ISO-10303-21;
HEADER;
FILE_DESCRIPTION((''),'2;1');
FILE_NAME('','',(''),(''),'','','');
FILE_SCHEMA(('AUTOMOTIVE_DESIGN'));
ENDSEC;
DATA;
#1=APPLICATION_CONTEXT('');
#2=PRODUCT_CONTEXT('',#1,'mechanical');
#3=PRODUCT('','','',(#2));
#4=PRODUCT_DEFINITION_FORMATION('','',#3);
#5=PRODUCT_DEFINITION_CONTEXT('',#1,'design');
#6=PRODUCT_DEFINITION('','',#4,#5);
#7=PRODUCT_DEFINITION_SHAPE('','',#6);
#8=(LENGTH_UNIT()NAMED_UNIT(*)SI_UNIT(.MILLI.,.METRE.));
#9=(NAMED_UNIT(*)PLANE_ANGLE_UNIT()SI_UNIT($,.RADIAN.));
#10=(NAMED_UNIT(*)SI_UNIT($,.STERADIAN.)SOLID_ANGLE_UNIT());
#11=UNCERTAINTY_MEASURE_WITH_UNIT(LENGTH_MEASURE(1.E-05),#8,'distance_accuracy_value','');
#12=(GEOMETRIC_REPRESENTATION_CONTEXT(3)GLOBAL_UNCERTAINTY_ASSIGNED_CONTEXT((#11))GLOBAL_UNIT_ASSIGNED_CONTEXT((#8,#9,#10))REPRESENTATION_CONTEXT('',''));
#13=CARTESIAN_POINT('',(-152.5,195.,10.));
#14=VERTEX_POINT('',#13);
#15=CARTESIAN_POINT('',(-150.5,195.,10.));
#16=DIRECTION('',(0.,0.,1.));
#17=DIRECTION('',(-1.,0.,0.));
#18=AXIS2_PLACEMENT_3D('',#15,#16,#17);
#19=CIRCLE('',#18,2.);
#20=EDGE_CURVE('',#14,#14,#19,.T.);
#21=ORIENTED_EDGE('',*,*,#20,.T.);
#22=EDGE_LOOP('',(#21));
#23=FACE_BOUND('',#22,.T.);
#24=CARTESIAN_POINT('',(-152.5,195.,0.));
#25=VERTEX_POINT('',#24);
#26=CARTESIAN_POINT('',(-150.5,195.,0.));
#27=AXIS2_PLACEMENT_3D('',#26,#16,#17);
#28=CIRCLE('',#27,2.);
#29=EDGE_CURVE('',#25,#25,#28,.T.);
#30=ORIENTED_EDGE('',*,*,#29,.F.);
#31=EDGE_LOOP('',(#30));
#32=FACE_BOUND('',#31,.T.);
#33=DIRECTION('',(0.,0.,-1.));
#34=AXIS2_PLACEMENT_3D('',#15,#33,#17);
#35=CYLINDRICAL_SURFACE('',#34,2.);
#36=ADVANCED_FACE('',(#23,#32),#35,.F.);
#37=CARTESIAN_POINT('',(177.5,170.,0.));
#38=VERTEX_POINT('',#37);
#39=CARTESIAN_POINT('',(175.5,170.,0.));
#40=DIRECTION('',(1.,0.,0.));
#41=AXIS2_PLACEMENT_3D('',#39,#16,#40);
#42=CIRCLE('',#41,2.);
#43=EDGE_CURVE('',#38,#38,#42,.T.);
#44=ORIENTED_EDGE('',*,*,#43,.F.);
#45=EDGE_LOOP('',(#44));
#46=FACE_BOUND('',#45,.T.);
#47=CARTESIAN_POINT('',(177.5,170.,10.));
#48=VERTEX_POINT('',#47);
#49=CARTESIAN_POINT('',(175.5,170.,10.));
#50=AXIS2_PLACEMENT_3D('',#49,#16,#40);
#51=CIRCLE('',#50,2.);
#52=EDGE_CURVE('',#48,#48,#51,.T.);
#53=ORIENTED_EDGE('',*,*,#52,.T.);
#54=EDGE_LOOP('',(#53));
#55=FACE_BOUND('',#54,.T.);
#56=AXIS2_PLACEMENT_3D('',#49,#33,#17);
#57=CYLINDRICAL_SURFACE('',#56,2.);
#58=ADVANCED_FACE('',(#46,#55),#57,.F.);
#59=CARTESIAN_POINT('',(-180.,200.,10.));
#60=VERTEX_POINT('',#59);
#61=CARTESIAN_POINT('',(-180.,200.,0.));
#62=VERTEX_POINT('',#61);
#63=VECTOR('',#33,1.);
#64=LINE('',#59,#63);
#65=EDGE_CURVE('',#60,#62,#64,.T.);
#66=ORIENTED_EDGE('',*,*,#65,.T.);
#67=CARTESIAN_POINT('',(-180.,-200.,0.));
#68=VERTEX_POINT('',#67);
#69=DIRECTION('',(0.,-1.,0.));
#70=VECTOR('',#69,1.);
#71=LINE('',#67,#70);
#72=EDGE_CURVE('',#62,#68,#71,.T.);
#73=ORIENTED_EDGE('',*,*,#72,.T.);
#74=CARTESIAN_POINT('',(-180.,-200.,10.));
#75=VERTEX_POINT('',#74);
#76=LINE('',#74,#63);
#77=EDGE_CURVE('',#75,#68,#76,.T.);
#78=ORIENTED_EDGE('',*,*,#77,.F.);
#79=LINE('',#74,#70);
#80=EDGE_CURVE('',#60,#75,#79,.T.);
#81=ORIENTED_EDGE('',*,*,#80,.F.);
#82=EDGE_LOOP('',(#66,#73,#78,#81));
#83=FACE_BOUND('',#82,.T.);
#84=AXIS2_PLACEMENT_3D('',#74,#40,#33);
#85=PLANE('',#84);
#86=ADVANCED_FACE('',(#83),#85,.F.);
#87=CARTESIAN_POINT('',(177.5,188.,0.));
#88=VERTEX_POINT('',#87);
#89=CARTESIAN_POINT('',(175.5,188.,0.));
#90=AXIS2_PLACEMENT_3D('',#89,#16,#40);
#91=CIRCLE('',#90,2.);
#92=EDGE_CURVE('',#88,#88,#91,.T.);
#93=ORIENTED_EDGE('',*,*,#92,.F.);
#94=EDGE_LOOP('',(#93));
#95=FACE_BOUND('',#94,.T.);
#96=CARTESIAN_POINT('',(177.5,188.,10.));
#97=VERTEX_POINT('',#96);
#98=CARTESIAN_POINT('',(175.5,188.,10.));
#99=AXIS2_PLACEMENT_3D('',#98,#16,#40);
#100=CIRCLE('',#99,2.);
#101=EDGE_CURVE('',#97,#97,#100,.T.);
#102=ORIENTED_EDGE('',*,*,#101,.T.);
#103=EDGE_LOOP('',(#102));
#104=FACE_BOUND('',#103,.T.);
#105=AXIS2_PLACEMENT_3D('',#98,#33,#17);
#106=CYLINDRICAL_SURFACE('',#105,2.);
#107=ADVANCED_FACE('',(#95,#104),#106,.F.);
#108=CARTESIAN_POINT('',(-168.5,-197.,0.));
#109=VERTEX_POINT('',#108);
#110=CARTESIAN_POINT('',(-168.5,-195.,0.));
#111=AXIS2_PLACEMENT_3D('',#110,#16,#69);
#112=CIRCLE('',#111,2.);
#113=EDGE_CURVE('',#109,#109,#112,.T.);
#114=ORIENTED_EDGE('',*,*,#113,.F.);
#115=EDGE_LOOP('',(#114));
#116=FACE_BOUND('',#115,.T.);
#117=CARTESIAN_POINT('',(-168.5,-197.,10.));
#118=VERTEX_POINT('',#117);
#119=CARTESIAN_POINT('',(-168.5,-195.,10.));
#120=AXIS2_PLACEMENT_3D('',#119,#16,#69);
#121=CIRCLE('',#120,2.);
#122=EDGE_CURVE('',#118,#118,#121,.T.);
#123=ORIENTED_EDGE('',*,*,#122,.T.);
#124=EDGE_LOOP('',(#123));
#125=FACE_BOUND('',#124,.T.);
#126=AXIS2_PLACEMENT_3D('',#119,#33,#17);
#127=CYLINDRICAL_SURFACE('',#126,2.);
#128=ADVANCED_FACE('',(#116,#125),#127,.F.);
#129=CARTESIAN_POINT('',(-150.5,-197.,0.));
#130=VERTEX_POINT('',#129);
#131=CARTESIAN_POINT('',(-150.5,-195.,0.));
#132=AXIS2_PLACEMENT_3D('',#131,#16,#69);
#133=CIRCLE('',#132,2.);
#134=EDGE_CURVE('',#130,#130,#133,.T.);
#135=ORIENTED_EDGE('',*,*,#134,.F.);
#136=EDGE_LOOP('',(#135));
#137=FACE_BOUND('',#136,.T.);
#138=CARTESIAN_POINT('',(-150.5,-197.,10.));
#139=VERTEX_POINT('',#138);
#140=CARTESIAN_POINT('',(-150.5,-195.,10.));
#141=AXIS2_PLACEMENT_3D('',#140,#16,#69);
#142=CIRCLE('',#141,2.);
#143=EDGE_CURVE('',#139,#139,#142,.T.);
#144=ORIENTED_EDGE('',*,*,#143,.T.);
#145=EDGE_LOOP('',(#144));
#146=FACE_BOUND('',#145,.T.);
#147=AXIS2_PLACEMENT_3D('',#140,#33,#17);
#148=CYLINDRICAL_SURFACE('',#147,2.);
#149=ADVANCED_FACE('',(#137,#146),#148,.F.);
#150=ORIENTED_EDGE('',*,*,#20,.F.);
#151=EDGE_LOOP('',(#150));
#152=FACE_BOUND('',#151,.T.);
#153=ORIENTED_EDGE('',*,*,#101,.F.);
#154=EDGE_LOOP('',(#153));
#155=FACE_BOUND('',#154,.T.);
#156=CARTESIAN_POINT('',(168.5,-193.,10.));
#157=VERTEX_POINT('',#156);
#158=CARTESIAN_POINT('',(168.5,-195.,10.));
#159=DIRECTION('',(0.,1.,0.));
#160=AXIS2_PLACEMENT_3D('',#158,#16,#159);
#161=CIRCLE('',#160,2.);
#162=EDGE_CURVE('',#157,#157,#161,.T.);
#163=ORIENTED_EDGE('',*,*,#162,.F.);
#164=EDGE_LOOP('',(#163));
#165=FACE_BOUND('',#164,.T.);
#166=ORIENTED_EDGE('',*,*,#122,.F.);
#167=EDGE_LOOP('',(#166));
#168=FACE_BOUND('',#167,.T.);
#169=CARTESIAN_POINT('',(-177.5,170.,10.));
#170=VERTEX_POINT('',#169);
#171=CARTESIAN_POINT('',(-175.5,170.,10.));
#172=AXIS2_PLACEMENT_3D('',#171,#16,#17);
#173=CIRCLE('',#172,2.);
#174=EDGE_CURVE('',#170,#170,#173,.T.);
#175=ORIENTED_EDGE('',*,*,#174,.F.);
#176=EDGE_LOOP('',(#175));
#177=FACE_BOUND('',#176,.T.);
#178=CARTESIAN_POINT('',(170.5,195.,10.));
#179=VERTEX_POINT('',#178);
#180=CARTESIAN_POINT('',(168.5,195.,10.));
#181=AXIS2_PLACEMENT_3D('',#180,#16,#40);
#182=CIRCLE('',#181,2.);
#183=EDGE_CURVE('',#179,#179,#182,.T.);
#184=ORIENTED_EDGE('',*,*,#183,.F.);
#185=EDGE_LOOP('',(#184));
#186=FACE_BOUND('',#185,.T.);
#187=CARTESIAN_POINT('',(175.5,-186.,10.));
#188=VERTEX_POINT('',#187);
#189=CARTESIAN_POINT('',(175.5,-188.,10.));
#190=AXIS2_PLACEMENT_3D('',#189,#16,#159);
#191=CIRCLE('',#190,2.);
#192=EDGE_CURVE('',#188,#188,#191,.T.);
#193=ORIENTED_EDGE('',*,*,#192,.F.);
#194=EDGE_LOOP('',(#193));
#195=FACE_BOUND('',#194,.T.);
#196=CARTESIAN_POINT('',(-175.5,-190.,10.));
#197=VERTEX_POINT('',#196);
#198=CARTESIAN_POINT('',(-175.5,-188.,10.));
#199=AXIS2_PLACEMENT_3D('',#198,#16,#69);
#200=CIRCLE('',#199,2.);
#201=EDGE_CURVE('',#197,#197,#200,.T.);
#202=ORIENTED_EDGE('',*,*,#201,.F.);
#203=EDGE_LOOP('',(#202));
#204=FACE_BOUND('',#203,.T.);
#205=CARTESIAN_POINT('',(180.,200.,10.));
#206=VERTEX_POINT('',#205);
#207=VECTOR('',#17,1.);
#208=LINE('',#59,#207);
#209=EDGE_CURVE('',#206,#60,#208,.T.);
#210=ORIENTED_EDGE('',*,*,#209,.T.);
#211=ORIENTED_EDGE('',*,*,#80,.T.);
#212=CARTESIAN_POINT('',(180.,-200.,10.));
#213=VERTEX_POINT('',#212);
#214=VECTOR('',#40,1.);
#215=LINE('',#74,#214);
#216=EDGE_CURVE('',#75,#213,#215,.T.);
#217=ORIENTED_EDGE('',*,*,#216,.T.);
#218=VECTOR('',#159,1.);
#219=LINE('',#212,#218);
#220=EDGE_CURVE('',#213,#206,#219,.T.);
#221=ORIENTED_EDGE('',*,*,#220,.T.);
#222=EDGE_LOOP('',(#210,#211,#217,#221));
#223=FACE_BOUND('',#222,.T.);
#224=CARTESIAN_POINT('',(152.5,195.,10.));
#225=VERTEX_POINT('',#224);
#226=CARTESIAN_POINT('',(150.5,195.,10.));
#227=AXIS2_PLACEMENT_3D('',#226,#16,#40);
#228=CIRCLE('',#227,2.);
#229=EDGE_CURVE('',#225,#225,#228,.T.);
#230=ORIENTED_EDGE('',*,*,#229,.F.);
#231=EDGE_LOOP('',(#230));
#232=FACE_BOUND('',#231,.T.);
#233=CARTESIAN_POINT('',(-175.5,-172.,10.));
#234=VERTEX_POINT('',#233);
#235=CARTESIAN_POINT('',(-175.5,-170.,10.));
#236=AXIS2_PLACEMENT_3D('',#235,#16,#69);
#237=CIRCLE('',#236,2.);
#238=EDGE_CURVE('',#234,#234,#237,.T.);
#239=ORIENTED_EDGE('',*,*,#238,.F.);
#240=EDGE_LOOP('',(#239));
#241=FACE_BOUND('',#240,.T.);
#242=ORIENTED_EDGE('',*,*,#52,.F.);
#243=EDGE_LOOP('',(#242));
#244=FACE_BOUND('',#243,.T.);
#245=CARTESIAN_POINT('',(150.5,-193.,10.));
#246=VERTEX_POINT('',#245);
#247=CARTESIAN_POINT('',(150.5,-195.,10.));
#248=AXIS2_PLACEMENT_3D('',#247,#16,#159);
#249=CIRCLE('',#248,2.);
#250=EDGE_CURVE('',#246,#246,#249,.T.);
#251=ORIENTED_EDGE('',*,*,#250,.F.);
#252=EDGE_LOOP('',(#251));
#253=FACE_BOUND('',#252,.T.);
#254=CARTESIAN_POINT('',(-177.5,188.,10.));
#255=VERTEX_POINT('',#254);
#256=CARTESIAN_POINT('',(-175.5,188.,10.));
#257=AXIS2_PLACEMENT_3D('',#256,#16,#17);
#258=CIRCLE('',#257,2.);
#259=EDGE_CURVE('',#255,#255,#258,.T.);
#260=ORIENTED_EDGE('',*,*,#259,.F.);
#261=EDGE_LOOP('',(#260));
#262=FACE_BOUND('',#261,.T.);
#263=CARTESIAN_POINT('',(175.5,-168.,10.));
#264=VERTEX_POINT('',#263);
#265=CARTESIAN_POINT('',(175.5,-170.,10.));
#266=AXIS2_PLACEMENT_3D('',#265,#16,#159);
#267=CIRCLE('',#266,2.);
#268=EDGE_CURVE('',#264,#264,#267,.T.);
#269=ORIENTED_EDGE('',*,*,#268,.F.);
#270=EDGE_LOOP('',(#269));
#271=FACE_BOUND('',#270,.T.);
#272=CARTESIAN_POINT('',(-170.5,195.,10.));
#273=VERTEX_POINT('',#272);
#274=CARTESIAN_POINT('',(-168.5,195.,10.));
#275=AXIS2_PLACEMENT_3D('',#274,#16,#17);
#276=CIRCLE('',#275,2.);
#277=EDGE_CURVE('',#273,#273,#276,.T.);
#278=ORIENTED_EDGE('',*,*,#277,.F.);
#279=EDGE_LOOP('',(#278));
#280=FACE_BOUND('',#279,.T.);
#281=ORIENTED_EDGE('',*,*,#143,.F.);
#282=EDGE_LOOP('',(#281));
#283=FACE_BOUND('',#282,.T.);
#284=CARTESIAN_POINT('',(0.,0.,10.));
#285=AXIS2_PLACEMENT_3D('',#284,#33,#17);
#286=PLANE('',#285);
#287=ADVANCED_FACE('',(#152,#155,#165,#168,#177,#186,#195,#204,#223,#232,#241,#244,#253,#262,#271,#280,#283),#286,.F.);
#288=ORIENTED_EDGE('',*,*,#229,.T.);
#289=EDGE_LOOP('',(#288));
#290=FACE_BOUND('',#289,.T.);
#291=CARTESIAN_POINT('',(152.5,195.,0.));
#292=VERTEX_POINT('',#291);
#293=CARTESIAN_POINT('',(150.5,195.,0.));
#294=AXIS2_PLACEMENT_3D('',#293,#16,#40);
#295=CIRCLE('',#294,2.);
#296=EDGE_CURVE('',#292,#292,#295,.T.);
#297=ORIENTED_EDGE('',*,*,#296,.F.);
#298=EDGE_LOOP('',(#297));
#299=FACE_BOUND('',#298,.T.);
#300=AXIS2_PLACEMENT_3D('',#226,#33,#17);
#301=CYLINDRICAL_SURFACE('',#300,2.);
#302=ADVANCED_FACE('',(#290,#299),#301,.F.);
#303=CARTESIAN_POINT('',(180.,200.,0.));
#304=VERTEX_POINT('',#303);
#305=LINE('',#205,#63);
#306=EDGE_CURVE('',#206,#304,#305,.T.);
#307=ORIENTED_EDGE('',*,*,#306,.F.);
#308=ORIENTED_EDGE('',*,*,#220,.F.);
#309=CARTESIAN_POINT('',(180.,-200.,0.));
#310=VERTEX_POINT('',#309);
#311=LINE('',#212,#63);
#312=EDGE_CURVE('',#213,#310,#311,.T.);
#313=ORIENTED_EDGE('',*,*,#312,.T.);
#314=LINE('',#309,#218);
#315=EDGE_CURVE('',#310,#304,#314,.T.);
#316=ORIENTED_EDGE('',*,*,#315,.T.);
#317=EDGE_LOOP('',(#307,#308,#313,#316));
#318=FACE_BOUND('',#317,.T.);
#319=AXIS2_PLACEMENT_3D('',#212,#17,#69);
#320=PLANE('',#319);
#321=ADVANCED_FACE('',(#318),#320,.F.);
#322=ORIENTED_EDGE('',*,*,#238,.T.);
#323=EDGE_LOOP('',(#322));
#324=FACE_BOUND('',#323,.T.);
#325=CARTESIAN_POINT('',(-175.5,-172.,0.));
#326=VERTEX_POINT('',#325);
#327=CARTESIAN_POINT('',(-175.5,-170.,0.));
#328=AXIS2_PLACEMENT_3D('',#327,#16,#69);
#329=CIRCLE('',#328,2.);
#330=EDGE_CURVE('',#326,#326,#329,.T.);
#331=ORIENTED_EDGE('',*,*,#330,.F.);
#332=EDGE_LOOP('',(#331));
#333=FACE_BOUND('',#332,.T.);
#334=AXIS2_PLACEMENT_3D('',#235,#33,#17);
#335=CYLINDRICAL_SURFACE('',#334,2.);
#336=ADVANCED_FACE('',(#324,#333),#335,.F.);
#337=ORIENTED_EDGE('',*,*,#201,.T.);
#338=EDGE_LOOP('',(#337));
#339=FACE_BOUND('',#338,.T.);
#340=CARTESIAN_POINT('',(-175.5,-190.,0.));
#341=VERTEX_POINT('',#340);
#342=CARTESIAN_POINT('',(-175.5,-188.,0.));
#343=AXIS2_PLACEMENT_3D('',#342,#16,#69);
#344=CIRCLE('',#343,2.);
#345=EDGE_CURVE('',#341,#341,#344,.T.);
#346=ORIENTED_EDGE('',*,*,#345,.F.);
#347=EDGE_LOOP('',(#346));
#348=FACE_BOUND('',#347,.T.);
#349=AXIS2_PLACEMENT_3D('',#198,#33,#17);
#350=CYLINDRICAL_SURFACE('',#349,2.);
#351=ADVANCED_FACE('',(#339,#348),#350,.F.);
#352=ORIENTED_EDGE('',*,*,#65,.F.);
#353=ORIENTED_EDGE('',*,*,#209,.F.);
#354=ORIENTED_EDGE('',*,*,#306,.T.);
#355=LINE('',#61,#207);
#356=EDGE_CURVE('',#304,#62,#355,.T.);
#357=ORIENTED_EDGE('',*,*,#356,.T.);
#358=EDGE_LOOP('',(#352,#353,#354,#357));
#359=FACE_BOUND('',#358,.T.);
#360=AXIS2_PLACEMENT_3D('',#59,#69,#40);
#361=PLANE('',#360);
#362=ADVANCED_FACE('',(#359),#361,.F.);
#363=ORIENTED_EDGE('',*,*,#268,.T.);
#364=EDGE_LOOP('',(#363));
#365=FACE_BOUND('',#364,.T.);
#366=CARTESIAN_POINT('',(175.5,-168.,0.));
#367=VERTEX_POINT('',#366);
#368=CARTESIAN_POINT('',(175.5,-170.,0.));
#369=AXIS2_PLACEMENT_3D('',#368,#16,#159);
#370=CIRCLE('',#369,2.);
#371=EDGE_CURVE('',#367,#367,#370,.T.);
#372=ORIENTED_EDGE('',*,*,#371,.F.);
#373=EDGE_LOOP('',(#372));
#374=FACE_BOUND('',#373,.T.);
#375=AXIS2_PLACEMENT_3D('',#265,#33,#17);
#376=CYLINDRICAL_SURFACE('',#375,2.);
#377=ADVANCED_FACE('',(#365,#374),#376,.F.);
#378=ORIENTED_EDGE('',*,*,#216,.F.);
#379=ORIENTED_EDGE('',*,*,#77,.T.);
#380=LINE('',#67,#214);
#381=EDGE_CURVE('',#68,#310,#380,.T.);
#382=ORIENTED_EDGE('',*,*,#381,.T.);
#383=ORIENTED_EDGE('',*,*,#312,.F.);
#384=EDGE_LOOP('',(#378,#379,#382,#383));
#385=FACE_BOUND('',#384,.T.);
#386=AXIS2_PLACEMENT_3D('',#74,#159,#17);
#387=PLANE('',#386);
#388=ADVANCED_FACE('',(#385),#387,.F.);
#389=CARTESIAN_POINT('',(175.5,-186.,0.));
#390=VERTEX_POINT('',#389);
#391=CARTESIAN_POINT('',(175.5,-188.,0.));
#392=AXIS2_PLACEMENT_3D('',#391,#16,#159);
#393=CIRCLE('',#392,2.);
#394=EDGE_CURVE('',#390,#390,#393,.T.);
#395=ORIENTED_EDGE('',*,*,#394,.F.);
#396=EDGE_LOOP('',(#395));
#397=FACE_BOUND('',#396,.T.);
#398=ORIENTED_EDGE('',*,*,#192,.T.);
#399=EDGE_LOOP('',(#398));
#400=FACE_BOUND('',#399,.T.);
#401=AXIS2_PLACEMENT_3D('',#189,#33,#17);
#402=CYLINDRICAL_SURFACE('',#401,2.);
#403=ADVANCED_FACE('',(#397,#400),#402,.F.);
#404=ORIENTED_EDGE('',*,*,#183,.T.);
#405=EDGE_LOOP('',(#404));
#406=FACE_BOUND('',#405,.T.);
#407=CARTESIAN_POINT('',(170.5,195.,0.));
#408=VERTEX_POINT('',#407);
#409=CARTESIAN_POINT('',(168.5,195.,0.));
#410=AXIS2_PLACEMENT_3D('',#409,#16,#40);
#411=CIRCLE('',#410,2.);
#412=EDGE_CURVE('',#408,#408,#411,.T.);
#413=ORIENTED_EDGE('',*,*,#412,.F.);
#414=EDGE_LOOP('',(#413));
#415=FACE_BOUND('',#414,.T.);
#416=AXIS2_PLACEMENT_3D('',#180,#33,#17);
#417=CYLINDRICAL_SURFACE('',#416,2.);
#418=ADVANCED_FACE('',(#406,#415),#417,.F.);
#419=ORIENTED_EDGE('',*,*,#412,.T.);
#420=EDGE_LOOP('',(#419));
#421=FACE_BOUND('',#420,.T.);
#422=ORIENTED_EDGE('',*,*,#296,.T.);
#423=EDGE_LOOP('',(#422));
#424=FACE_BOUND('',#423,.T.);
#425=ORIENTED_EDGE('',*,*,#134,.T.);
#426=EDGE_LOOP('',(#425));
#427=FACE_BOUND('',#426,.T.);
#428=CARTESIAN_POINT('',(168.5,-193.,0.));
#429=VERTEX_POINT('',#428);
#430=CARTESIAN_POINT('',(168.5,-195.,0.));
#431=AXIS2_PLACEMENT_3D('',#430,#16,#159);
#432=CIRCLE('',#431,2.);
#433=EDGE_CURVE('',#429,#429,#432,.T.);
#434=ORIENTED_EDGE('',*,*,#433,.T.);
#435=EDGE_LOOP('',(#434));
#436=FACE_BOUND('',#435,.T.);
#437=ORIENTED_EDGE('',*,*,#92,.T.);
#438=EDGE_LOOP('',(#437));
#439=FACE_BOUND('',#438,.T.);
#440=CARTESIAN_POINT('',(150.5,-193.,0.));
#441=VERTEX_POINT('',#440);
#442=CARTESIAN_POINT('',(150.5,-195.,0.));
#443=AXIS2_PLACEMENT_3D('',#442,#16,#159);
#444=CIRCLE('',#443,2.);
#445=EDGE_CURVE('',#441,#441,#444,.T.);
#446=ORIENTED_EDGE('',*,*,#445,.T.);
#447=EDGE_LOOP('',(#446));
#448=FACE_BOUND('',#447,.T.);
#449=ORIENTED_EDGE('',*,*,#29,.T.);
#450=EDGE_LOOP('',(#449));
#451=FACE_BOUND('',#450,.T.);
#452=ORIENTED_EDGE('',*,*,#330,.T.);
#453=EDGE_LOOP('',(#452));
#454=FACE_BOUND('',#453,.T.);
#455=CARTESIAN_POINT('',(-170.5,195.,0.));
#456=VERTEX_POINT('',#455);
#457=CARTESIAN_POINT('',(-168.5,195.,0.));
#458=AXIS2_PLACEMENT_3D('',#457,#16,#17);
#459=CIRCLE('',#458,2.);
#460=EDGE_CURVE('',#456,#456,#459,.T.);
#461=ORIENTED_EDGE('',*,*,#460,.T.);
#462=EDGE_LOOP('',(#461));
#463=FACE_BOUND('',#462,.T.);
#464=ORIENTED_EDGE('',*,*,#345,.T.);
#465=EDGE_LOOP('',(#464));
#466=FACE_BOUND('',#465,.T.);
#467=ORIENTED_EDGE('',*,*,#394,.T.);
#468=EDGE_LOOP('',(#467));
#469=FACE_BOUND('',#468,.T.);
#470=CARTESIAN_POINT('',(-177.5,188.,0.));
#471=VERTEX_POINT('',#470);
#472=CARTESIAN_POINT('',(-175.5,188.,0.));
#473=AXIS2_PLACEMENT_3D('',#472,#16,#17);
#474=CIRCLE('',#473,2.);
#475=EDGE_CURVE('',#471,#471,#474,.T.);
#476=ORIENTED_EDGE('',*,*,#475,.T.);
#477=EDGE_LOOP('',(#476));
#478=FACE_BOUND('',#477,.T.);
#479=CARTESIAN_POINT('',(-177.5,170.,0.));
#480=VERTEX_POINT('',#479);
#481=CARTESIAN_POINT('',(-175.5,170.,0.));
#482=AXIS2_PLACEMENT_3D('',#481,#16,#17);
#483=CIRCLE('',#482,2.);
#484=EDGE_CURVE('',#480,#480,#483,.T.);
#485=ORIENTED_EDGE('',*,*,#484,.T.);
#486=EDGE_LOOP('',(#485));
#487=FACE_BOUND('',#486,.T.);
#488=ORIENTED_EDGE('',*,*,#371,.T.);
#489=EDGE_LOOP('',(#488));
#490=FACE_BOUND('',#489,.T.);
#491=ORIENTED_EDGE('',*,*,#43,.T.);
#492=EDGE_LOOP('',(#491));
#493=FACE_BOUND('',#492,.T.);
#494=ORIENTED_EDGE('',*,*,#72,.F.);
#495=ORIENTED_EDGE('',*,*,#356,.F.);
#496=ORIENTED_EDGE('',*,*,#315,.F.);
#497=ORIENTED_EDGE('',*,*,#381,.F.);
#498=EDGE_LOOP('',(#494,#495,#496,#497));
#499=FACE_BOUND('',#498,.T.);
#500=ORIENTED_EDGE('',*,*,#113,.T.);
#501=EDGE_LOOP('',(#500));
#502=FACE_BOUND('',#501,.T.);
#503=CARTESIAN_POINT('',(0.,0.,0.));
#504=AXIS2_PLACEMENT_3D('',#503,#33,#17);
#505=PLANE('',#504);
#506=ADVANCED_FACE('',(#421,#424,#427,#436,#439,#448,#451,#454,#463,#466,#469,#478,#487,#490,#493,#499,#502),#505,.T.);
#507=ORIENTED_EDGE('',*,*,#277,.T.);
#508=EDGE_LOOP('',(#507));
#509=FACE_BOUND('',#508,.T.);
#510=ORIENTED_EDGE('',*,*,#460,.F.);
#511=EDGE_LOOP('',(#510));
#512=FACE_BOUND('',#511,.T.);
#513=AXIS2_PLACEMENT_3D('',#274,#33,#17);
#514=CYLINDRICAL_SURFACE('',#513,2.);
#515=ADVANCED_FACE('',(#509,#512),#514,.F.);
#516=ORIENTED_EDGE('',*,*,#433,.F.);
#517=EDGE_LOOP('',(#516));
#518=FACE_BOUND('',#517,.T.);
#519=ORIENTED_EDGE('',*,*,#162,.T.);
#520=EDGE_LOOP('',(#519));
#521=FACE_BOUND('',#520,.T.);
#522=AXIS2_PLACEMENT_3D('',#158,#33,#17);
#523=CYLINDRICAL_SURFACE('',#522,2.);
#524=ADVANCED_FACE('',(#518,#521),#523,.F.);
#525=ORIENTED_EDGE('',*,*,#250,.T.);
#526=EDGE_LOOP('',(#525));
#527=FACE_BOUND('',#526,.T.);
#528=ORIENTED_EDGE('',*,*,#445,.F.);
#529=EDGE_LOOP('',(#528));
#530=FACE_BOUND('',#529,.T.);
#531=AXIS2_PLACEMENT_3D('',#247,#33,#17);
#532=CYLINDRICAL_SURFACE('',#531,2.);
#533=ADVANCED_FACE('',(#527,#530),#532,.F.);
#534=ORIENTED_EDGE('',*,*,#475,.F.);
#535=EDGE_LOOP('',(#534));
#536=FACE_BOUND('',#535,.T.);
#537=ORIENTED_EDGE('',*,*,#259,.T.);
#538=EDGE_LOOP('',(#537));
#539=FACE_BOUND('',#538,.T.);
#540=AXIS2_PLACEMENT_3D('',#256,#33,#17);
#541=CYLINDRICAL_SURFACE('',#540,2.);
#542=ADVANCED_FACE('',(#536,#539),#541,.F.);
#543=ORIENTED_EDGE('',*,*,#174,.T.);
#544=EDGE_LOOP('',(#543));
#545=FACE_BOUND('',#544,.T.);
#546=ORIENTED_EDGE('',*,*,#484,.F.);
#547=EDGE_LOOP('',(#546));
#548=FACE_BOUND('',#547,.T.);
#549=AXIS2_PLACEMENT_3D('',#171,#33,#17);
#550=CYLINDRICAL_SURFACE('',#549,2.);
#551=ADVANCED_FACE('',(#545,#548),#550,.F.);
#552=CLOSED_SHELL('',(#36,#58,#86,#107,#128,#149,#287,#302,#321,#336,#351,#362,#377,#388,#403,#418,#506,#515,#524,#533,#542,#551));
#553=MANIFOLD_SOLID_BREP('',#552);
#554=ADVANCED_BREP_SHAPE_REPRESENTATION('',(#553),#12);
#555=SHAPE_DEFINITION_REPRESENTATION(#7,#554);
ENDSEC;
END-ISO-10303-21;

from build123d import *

# Parameters (mm, degrees)
SKETCH_1_W      = 360
SKETCH_1_H      = 400
SKETCH_1_R      = 2
EXTRUDE_1_DEPTH = 10


with BuildPart() as part:
    # Эскиз1 → Бобышка-Вытянуть1 (new body)
    with BuildSketch(Plane.XY):
        Rectangle(SKETCH_1_W, SKETCH_1_H)
        with Locations((150.5, 195)):
            Circle(SKETCH_1_R, mode=Mode.SUBTRACT)
        with Locations((168.5, 195)):
            Circle(SKETCH_1_R, mode=Mode.SUBTRACT)
        with Locations((175.5, 170)):
            Circle(SKETCH_1_R, mode=Mode.SUBTRACT)
        with Locations((175.5, 188)):
            Circle(SKETCH_1_R, mode=Mode.SUBTRACT)
        with Locations(Location((-150.5, 195, 0), (0, 0, 180))):
            Circle(SKETCH_1_R, mode=Mode.SUBTRACT)
        with Locations(Location((-168.5, 195, 0), (0, 0, 180))):
            Circle(SKETCH_1_R, mode=Mode.SUBTRACT)
        with Locations(Location((-175.5, 170, 0), (0, 0, 180))):
            Circle(SKETCH_1_R, mode=Mode.SUBTRACT)
        with Locations(Location((-175.5, 188, 0), (0, 0, 180))):
            Circle(SKETCH_1_R, mode=Mode.SUBTRACT)
        with Locations(Location((-150.5, -195, 0), (0, 0, 270))):
            Circle(SKETCH_1_R, mode=Mode.SUBTRACT)
        with Locations(Location((-168.5, -195, 0), (0, 0, 270))):
            Circle(SKETCH_1_R, mode=Mode.SUBTRACT)
        with Locations(Location((-175.5, -170, 0), (0, 0, 270))):
            Circle(SKETCH_1_R, mode=Mode.SUBTRACT)
        with Locations(Location((-175.5, -188, 0), (0, 0, 270))):
            Circle(SKETCH_1_R, mode=Mode.SUBTRACT)
        with Locations(Location((150.5, -195, 0), (0, 0, 90))):
            Circle(SKETCH_1_R, mode=Mode.SUBTRACT)
        with Locations(Location((168.5, -195, 0), (0, 0, 90))):
            Circle(SKETCH_1_R, mode=Mode.SUBTRACT)
        with Locations(Location((175.5, -170, 0), (0, 0, 90))):
            Circle(SKETCH_1_R, mode=Mode.SUBTRACT)
        with Locations(Location((175.5, -188, 0), (0, 0, 90))):
            Circle(SKETCH_1_R, mode=Mode.SUBTRACT)
    extrude(amount=EXTRUDE_1_DEPTH)


solid = part.part
